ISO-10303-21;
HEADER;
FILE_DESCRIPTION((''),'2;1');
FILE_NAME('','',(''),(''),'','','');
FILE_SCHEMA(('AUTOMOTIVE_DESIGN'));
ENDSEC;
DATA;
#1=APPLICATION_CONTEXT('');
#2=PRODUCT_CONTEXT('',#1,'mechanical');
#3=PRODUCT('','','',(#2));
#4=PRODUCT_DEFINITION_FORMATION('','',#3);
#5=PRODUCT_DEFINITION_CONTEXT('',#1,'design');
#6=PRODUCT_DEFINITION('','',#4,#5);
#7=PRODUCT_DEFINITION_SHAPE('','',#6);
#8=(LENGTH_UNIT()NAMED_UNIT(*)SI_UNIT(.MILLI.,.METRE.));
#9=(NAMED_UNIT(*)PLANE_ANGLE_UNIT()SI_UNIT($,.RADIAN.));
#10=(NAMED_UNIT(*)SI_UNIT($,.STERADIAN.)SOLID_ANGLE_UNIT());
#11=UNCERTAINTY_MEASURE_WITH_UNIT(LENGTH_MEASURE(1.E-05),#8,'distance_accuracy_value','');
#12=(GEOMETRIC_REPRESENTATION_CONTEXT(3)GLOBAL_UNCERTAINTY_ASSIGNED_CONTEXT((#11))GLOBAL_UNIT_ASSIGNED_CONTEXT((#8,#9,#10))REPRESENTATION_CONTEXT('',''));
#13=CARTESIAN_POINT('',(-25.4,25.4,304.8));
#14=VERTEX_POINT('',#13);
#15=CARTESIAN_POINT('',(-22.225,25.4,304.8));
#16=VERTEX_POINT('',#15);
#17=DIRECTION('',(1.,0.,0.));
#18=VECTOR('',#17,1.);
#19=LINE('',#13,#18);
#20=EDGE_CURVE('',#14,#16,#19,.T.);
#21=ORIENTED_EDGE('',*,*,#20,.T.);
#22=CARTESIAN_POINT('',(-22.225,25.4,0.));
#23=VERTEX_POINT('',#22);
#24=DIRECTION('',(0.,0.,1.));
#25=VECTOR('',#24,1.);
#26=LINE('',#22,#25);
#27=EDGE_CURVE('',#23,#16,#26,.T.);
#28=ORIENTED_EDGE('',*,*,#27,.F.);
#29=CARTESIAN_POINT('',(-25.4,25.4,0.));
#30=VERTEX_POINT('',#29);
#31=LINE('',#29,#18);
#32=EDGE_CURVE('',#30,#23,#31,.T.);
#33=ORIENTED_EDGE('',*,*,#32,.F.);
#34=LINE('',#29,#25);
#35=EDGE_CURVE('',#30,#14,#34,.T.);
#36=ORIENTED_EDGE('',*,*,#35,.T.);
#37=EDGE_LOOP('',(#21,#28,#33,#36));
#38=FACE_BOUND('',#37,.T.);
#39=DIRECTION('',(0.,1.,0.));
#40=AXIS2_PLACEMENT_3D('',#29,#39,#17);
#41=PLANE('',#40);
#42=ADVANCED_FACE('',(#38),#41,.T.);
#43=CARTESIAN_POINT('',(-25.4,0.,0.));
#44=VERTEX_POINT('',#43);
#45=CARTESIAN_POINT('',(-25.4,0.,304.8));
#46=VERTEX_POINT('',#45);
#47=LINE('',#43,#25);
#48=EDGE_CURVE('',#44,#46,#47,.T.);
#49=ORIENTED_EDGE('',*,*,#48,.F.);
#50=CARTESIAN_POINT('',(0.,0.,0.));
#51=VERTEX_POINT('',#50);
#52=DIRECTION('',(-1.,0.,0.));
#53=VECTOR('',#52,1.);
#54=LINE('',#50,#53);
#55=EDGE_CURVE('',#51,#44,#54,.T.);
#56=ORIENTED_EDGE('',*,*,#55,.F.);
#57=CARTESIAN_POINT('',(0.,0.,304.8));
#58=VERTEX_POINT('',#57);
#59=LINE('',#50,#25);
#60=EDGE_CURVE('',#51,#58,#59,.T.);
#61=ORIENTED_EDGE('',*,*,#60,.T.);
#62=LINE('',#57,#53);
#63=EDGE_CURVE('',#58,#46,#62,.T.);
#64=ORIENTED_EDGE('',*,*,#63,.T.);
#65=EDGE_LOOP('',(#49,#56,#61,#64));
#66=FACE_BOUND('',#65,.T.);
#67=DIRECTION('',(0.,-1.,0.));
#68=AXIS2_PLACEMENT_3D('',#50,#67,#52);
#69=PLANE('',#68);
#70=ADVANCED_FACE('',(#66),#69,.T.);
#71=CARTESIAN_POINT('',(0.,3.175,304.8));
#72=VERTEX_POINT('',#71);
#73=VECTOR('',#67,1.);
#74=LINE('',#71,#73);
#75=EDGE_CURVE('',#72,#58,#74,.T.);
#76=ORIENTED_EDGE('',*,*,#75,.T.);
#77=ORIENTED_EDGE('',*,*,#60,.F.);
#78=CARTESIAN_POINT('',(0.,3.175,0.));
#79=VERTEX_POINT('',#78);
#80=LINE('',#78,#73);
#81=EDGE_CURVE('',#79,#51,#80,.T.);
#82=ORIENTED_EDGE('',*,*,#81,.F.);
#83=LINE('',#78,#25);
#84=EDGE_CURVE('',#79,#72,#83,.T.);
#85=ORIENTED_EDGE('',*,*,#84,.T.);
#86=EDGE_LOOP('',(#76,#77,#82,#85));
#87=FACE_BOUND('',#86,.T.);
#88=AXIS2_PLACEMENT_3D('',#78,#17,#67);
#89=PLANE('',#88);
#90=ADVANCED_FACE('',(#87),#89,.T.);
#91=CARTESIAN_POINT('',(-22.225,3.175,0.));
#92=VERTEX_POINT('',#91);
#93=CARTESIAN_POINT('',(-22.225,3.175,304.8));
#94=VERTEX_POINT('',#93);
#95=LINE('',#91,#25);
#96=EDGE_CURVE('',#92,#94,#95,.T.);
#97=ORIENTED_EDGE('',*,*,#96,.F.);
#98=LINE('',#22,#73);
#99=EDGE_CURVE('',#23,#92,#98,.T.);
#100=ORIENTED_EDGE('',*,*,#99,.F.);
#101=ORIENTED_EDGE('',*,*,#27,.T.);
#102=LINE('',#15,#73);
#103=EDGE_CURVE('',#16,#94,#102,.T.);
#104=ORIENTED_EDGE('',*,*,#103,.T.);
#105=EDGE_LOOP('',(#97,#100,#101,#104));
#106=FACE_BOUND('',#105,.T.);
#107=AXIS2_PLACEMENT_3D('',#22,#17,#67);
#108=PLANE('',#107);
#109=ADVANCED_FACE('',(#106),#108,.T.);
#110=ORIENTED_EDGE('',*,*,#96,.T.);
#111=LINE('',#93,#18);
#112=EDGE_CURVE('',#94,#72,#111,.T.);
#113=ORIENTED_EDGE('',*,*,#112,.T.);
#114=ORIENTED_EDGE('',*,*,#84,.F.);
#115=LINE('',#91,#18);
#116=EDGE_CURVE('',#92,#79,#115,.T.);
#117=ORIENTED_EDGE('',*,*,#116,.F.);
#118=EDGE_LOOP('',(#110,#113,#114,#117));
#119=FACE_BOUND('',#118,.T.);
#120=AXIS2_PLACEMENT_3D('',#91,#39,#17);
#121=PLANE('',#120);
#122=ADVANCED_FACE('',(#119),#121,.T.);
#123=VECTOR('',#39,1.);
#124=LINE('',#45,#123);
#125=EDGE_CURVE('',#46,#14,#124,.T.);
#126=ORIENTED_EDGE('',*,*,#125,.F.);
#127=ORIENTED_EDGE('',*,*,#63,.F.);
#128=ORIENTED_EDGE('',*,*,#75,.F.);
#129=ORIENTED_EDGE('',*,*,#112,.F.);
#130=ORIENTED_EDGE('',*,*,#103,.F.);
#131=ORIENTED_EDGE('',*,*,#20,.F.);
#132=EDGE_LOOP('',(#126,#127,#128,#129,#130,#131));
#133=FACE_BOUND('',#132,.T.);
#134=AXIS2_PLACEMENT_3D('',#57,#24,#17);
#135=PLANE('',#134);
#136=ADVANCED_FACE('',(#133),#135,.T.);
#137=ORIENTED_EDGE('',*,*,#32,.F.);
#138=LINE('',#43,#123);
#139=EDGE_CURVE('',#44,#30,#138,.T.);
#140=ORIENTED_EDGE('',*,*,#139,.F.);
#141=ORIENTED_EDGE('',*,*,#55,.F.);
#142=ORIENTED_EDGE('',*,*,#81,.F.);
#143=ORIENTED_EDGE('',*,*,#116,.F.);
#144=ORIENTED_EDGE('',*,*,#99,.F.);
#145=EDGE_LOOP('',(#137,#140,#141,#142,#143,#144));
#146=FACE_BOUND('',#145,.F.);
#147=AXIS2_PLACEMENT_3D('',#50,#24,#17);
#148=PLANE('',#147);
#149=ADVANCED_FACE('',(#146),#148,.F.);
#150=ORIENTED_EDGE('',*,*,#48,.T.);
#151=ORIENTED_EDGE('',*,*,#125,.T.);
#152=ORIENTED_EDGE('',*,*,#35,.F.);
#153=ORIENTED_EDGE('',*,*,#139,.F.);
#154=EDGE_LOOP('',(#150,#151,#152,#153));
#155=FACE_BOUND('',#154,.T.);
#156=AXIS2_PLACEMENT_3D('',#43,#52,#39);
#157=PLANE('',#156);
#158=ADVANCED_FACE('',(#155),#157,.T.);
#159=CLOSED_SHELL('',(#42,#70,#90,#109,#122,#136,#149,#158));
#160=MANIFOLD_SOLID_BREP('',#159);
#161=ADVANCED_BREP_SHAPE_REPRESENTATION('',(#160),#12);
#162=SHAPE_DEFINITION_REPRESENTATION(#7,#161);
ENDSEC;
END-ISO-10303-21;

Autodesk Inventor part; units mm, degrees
ref_plane "YZ Plane" through (0, 0, 0) normal (1, 0, 0) x (0, 1, 0)
ref_plane "XZ Plane" through (0, 0, 0) normal (0, 1, 0) x (-1, 0, 0)
ref_plane "XY Plane" through (0, 0, 0) normal (0, 0, 1) x (1, 0, 0)
sketch "Sketch1" plane through (0, 0, 0) normal (0, 0, 1) x (1, 0, 0)
  line L0 (0, 0) -> (-25.4, 0)
  line L1 (-25.4, 0) -> (-25.4, 25.4)
  line L2 (-22.225, 25.4) -> (-22.225, 3.175)
  line L3 (-22.225, 3.175) -> (0, 3.175)
  line L4 (-25.4, 25.4) -> (-22.225, 25.4)
  line L5 (0, 3.175) -> (0, 0)
  dimension "d0" = 25.4
  dimension "d2" = 25.4
  dimension "d3" = 3.175
extrude "Extrusion1" add sketch "Sketch1" along normal blind 304.8
properties part number "12 L"
